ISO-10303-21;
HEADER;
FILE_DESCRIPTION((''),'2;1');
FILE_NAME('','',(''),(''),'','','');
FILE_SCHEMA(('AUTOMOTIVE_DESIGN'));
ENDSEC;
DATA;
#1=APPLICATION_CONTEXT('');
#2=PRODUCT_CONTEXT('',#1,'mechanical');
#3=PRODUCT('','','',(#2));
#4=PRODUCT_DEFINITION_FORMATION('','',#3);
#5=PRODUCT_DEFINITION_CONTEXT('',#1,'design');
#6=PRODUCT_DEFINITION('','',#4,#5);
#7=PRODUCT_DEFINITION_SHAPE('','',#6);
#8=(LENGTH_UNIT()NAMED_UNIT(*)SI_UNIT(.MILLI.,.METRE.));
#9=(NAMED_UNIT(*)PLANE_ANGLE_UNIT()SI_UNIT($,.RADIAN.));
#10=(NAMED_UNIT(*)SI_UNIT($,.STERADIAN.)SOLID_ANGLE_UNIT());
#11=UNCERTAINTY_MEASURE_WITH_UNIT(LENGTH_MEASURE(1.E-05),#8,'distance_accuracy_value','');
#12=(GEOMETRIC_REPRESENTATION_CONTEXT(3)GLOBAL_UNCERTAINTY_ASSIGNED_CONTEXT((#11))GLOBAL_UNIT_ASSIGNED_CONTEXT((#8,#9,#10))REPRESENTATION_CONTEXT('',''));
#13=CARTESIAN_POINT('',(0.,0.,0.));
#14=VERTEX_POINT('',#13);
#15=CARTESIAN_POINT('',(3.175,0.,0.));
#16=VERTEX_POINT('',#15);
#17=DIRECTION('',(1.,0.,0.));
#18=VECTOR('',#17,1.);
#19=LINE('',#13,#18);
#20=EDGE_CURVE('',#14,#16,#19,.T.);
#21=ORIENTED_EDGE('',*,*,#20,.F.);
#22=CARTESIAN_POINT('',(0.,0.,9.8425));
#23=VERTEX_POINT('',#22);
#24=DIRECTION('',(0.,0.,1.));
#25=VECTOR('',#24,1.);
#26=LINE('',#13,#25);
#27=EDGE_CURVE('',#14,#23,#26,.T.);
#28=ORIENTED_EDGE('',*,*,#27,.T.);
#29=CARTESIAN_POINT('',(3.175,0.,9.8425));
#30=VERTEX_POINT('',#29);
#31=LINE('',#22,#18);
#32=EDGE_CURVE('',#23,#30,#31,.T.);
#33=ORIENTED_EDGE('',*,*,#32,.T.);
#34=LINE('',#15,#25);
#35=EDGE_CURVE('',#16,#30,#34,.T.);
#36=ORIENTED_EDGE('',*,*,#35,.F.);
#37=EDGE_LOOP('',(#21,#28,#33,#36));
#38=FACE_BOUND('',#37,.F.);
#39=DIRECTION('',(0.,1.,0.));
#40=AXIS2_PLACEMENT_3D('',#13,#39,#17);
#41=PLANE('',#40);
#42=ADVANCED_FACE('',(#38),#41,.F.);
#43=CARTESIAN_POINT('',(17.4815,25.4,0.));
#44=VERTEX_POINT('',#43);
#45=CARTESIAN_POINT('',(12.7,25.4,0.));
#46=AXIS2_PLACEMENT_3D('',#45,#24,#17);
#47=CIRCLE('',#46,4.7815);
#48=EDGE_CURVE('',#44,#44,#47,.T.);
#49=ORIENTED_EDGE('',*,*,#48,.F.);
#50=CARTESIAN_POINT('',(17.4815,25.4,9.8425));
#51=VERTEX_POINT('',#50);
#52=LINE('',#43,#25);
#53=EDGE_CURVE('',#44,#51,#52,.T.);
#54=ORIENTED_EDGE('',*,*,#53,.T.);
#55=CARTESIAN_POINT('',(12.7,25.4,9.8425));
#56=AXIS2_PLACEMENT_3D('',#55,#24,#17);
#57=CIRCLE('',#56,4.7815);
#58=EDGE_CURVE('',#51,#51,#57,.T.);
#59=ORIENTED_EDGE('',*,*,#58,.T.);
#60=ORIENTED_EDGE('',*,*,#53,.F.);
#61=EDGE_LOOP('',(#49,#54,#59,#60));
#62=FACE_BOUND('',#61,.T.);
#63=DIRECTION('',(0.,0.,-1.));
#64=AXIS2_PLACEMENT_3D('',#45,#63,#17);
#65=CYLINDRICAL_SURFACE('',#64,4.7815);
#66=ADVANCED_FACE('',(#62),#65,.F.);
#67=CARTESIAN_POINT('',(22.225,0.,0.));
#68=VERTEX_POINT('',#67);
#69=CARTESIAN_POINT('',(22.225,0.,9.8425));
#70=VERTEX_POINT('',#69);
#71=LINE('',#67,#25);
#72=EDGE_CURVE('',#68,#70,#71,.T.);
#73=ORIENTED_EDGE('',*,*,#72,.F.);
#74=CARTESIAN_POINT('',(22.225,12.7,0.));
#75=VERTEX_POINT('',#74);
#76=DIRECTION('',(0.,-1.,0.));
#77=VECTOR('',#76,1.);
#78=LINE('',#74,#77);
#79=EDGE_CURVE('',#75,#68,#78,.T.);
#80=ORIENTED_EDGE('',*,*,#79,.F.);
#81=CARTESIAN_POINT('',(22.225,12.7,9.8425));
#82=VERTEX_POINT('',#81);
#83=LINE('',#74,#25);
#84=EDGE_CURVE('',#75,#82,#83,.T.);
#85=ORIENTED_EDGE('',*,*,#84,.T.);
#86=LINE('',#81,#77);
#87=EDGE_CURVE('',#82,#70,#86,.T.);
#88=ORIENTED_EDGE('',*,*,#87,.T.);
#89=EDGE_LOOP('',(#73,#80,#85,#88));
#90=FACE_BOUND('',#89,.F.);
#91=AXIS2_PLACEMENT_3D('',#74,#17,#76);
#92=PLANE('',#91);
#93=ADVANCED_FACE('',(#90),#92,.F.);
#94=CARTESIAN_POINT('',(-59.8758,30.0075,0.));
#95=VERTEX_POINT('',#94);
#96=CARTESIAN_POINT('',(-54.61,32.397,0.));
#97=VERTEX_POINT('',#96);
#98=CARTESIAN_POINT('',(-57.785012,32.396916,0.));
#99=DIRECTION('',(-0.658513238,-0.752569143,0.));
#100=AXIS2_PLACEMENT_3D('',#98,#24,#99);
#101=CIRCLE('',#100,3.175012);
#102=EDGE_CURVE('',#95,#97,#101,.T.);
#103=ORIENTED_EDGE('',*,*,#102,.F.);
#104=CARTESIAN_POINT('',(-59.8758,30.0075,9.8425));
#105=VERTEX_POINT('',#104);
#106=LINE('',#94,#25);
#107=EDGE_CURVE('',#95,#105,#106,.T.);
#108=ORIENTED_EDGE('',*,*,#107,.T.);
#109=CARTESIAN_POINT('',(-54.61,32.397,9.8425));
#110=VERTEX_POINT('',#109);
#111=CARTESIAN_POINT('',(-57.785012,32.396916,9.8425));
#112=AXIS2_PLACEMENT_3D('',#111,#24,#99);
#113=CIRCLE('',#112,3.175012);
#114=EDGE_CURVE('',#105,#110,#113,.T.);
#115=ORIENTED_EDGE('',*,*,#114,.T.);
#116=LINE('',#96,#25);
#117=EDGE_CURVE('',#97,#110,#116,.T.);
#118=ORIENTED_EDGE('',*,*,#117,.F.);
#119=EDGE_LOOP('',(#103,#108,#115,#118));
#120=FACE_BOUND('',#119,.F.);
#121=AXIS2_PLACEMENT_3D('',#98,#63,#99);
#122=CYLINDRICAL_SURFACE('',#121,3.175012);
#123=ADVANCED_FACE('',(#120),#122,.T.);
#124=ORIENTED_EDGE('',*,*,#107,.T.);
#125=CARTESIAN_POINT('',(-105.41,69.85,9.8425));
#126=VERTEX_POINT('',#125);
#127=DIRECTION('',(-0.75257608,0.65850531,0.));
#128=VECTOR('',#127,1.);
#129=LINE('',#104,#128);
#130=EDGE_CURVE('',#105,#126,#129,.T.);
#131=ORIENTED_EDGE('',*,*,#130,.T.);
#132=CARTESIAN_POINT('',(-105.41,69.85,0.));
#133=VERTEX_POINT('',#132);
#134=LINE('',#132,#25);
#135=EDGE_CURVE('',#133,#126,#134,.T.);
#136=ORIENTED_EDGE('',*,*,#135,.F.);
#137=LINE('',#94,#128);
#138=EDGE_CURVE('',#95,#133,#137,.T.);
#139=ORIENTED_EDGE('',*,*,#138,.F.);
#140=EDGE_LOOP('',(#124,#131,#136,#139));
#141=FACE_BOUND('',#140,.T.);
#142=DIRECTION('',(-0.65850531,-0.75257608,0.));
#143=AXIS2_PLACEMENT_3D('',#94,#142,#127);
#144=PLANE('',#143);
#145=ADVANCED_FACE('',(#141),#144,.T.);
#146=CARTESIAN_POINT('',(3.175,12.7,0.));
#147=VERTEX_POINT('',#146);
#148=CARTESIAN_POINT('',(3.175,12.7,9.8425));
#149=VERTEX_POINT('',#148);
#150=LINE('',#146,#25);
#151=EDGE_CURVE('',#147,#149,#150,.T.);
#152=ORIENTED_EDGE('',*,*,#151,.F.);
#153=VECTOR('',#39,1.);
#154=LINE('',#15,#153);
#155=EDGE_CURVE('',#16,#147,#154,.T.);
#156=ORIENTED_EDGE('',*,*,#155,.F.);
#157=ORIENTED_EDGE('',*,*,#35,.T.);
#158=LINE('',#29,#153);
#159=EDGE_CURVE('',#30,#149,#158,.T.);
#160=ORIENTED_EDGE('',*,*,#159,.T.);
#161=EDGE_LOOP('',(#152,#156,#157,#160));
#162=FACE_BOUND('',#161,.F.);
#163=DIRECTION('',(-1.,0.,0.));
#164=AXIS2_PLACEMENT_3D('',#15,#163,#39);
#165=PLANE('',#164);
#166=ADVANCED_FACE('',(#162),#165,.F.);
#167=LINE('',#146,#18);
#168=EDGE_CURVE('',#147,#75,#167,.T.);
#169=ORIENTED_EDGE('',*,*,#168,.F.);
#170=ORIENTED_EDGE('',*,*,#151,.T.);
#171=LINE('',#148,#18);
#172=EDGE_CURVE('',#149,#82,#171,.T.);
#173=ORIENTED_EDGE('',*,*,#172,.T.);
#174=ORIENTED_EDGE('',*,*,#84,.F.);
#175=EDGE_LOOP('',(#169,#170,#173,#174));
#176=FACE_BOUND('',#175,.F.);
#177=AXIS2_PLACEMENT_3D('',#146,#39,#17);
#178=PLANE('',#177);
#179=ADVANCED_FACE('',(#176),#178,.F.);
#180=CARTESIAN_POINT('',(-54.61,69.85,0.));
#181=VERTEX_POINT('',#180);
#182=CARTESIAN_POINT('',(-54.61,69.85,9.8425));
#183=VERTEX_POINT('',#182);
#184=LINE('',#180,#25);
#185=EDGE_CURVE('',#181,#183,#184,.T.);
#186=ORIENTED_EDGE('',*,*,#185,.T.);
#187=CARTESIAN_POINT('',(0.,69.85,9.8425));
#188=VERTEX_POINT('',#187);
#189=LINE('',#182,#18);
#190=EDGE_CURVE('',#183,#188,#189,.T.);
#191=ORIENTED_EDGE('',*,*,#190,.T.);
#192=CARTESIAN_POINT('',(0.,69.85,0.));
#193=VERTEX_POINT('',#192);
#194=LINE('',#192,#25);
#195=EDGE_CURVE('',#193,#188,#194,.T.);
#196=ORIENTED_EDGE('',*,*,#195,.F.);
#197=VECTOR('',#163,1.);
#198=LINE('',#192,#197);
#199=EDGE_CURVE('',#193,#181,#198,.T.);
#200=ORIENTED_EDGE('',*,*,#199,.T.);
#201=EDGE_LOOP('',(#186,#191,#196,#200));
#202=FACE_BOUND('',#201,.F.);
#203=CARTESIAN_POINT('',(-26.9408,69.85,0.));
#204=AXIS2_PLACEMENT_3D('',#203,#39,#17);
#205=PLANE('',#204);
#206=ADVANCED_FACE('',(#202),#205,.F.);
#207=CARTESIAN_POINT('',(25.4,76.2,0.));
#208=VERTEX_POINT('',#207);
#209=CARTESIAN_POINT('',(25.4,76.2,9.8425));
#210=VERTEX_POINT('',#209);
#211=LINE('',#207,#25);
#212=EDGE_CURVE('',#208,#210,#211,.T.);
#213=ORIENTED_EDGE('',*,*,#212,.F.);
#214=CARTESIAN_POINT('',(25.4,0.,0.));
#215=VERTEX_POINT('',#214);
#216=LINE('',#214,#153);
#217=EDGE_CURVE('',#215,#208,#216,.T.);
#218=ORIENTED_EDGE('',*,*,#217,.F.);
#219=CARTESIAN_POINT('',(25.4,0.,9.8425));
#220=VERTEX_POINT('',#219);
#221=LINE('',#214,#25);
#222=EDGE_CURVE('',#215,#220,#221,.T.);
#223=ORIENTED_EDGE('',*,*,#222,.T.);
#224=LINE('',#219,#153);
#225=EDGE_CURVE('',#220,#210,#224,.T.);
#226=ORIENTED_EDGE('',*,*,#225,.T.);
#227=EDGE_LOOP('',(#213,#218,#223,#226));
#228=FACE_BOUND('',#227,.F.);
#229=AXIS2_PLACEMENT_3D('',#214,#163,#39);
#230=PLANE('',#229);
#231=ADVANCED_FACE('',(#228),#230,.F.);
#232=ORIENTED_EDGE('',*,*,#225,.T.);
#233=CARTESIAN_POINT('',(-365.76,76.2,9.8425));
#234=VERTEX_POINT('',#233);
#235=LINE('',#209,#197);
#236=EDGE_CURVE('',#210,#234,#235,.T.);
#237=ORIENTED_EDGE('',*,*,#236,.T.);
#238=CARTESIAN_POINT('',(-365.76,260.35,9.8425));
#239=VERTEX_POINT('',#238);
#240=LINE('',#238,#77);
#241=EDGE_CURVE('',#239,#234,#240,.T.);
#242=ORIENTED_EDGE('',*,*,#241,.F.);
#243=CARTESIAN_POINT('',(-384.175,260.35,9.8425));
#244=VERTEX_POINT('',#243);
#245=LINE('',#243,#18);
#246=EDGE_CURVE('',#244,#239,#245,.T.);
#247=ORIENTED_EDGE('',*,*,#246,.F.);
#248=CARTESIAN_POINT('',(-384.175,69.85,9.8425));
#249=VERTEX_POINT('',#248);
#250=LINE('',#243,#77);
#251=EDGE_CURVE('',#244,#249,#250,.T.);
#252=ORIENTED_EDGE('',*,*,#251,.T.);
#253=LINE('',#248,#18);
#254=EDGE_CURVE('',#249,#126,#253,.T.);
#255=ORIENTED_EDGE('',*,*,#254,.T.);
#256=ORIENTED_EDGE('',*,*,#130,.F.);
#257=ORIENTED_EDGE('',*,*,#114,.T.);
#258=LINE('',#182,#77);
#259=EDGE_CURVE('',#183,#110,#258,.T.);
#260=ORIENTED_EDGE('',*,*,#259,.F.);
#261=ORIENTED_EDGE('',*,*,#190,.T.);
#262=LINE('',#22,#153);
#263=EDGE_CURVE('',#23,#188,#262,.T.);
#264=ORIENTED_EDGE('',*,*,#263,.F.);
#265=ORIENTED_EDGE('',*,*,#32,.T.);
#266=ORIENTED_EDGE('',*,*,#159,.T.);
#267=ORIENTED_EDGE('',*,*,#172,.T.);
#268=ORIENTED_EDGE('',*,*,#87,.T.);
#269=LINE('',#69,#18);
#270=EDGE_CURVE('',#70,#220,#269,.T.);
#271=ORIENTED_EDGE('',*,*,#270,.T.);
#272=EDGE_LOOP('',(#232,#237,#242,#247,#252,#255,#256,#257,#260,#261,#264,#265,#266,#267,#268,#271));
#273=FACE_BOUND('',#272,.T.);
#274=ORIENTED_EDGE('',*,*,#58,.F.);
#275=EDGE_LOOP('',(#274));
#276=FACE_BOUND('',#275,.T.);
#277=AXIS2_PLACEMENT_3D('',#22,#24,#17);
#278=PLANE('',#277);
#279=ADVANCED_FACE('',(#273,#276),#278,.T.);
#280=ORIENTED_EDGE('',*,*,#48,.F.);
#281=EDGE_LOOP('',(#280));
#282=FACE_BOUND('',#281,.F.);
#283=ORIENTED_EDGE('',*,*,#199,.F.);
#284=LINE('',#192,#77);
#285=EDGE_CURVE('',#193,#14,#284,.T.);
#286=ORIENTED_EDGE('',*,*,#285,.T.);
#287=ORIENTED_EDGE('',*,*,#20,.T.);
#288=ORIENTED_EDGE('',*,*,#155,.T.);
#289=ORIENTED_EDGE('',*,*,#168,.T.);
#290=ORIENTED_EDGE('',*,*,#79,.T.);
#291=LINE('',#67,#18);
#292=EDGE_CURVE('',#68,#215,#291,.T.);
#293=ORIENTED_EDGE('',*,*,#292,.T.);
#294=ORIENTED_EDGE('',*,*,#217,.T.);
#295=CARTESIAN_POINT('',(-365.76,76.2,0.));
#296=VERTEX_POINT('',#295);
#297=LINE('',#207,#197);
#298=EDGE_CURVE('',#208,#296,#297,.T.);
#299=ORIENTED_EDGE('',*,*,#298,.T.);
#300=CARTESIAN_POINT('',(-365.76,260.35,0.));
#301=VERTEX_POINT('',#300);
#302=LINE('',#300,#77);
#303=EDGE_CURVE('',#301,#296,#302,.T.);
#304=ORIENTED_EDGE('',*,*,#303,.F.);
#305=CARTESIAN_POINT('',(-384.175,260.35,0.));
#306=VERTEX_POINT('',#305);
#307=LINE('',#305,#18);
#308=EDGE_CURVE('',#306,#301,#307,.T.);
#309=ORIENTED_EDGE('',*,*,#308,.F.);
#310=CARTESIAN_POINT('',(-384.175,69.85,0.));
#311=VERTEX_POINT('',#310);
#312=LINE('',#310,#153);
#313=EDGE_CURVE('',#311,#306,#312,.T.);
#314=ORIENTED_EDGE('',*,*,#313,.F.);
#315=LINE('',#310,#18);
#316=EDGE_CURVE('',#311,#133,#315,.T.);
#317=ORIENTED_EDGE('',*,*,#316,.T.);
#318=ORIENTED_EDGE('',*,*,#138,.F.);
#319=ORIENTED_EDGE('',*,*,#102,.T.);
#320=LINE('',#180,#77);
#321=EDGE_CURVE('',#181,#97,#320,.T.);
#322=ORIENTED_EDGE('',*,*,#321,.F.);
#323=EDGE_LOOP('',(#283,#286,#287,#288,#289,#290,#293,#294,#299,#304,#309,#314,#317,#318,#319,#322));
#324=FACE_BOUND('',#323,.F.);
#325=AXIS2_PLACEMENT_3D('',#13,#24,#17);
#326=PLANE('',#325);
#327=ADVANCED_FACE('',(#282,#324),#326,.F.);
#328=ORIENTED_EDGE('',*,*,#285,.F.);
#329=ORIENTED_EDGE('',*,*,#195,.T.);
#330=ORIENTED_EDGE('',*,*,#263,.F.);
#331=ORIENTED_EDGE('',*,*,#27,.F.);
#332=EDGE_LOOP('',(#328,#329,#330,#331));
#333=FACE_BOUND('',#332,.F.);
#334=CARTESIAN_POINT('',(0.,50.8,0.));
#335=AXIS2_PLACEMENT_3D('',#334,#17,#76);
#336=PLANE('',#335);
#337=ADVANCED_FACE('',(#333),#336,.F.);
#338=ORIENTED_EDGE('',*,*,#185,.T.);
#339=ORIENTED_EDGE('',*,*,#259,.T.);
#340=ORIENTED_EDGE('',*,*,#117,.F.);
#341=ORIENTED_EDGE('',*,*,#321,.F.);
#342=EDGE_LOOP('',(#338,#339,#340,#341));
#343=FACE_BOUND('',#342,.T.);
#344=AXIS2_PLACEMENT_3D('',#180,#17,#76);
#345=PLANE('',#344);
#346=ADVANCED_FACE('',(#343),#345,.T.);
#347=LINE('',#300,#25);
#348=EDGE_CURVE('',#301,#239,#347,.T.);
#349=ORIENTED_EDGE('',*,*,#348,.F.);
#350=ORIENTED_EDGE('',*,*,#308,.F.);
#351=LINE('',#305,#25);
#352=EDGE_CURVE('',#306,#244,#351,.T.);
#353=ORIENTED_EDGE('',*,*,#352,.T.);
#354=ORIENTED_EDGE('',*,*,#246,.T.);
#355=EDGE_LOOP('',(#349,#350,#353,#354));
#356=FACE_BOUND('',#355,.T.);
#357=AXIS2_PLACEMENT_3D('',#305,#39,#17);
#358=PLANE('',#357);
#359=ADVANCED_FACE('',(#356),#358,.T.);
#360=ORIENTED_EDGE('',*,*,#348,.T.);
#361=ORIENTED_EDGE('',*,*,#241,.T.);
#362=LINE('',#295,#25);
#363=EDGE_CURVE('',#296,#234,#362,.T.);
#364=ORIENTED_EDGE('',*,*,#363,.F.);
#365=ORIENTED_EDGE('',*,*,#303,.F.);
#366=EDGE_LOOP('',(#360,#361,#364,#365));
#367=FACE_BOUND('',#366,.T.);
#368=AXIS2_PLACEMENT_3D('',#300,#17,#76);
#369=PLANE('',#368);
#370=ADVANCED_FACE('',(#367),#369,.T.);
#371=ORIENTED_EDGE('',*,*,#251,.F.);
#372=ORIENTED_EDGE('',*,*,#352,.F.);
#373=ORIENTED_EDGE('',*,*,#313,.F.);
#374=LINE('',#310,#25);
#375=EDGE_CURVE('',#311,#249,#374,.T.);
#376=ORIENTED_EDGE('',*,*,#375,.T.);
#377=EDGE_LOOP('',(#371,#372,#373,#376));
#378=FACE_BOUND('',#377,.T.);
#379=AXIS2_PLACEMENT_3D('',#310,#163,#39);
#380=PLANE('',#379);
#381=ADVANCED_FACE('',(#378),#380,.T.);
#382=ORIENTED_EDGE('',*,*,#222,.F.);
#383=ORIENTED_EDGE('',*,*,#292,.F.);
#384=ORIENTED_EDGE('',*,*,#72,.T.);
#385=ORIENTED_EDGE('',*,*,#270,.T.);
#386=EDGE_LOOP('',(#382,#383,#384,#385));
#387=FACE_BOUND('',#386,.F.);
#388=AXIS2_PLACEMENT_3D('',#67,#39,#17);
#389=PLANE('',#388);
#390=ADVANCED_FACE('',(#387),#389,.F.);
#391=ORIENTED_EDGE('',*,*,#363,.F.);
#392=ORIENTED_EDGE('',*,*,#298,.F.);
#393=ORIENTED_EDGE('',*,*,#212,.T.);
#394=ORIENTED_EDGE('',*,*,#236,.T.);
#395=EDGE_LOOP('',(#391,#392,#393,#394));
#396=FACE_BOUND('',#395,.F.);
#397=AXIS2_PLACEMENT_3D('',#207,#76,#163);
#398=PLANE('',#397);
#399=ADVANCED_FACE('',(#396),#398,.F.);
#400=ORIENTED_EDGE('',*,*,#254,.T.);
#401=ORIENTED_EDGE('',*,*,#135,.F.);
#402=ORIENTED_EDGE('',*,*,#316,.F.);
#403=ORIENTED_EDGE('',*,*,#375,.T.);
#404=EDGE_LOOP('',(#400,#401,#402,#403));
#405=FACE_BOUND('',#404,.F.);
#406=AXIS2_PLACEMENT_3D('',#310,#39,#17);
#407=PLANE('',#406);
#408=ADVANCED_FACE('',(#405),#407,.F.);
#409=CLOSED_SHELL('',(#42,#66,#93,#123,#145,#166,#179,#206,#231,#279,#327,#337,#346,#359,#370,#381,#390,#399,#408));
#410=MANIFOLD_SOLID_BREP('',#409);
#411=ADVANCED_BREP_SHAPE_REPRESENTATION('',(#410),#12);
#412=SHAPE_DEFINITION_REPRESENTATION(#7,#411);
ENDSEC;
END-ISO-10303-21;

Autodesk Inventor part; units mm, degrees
ref_plane "YZ Plane" through (0, 0, 0) normal (1, 0, 0) x (0, 1, 0)
ref_plane "XZ Plane" through (0, 0, 0) normal (0, 1, 0) x (-1, 0, 0)
ref_plane "XY Plane" through (0, 0, 0) normal (0, 0, 1) x (1, 0, 0)
sketch "Sketch1" plane through (0, 0, 0) normal (0, 0, 1) x (1, 0, 0)
  line L0 (0, 0) -> (3.175, 0)
  line L1 (3.175, 0) -> (3.175, 12.7)
  line L2 (3.175, 12.7) -> (22.225, 12.7)
  line L3 (22.225, 12.7) -> (22.225, 0)
  line L4 (22.225, 0) -> (25.4, 0)
  circle A0 centre (12.7, 25.4) radius 4.7815
  line L5 (25.4, 0) -> (25.4, 76.2)
  line L6 (25.4, 76.2) -> (-384.175, 76.2)
  line L7 (0, 69.85) -> (0, 0)
  line L8 (-54.61, 69.85) -> (-54.61, 32.397)
  line L9 (-59.8758, 30.0075) -> (-105.41, 69.85)
  ellipse E0 centre (-26.9408, 50.8) end of major axis (0, 50.8) minor radius 19.05
  arc A1 (-59.8758, 30.0075) -> (-54.61, 32.397) centre (-57.785, 32.397) ccw
  line L10 (-384.175, 69.85) -> (-105.41, 69.85)
  line L11 (-54.61, 69.85) -> (0, 69.85)
  line L12 (-384.175, 69.85) -> (-384.175, 260.35)
  line L13 (-384.175, 260.35) -> (-365.76, 260.35)
  line L14 (-365.76, 260.35) -> (-365.76, 76.2)
  point P0 (-54.61, 25.4)
  dimension "d15" = 26.9408
  dimension "d16" = 19.05
  dimension "d0" = 3.175
  dimension "d1" = 12.7
  dimension "d2" = 19.05
  dimension "d3" = 3.175
  dimension "d4" = 12.7
  dimension "d6" = 9.5631
  dimension "d7" = 12.7
  dimension "d8" = 76.2
  dimension "d9" = 409.575
  dimension "d10" = 6.35
  dimension "d11" = 384.175
  dimension "d13" = 50.8
  dimension "d14" = 54.61
  dimension "d17" = 44.45
  dimension "d18" = 3.175
  dimension "d21" = 190.5
  dimension "d22" = 18.415
  dimension "d24" = 9.525
  dimension "d25" = 184.15
extrude "Extrusion1" add sketch "Sketch1" along normal blind 9.8425 contours L7 L11 L8 A1 L9 L10 L12 L6 L5 L4 L3 L2 L1 L0 | L6 L12 L13 L14
properties part number "Left Climber Hook"
